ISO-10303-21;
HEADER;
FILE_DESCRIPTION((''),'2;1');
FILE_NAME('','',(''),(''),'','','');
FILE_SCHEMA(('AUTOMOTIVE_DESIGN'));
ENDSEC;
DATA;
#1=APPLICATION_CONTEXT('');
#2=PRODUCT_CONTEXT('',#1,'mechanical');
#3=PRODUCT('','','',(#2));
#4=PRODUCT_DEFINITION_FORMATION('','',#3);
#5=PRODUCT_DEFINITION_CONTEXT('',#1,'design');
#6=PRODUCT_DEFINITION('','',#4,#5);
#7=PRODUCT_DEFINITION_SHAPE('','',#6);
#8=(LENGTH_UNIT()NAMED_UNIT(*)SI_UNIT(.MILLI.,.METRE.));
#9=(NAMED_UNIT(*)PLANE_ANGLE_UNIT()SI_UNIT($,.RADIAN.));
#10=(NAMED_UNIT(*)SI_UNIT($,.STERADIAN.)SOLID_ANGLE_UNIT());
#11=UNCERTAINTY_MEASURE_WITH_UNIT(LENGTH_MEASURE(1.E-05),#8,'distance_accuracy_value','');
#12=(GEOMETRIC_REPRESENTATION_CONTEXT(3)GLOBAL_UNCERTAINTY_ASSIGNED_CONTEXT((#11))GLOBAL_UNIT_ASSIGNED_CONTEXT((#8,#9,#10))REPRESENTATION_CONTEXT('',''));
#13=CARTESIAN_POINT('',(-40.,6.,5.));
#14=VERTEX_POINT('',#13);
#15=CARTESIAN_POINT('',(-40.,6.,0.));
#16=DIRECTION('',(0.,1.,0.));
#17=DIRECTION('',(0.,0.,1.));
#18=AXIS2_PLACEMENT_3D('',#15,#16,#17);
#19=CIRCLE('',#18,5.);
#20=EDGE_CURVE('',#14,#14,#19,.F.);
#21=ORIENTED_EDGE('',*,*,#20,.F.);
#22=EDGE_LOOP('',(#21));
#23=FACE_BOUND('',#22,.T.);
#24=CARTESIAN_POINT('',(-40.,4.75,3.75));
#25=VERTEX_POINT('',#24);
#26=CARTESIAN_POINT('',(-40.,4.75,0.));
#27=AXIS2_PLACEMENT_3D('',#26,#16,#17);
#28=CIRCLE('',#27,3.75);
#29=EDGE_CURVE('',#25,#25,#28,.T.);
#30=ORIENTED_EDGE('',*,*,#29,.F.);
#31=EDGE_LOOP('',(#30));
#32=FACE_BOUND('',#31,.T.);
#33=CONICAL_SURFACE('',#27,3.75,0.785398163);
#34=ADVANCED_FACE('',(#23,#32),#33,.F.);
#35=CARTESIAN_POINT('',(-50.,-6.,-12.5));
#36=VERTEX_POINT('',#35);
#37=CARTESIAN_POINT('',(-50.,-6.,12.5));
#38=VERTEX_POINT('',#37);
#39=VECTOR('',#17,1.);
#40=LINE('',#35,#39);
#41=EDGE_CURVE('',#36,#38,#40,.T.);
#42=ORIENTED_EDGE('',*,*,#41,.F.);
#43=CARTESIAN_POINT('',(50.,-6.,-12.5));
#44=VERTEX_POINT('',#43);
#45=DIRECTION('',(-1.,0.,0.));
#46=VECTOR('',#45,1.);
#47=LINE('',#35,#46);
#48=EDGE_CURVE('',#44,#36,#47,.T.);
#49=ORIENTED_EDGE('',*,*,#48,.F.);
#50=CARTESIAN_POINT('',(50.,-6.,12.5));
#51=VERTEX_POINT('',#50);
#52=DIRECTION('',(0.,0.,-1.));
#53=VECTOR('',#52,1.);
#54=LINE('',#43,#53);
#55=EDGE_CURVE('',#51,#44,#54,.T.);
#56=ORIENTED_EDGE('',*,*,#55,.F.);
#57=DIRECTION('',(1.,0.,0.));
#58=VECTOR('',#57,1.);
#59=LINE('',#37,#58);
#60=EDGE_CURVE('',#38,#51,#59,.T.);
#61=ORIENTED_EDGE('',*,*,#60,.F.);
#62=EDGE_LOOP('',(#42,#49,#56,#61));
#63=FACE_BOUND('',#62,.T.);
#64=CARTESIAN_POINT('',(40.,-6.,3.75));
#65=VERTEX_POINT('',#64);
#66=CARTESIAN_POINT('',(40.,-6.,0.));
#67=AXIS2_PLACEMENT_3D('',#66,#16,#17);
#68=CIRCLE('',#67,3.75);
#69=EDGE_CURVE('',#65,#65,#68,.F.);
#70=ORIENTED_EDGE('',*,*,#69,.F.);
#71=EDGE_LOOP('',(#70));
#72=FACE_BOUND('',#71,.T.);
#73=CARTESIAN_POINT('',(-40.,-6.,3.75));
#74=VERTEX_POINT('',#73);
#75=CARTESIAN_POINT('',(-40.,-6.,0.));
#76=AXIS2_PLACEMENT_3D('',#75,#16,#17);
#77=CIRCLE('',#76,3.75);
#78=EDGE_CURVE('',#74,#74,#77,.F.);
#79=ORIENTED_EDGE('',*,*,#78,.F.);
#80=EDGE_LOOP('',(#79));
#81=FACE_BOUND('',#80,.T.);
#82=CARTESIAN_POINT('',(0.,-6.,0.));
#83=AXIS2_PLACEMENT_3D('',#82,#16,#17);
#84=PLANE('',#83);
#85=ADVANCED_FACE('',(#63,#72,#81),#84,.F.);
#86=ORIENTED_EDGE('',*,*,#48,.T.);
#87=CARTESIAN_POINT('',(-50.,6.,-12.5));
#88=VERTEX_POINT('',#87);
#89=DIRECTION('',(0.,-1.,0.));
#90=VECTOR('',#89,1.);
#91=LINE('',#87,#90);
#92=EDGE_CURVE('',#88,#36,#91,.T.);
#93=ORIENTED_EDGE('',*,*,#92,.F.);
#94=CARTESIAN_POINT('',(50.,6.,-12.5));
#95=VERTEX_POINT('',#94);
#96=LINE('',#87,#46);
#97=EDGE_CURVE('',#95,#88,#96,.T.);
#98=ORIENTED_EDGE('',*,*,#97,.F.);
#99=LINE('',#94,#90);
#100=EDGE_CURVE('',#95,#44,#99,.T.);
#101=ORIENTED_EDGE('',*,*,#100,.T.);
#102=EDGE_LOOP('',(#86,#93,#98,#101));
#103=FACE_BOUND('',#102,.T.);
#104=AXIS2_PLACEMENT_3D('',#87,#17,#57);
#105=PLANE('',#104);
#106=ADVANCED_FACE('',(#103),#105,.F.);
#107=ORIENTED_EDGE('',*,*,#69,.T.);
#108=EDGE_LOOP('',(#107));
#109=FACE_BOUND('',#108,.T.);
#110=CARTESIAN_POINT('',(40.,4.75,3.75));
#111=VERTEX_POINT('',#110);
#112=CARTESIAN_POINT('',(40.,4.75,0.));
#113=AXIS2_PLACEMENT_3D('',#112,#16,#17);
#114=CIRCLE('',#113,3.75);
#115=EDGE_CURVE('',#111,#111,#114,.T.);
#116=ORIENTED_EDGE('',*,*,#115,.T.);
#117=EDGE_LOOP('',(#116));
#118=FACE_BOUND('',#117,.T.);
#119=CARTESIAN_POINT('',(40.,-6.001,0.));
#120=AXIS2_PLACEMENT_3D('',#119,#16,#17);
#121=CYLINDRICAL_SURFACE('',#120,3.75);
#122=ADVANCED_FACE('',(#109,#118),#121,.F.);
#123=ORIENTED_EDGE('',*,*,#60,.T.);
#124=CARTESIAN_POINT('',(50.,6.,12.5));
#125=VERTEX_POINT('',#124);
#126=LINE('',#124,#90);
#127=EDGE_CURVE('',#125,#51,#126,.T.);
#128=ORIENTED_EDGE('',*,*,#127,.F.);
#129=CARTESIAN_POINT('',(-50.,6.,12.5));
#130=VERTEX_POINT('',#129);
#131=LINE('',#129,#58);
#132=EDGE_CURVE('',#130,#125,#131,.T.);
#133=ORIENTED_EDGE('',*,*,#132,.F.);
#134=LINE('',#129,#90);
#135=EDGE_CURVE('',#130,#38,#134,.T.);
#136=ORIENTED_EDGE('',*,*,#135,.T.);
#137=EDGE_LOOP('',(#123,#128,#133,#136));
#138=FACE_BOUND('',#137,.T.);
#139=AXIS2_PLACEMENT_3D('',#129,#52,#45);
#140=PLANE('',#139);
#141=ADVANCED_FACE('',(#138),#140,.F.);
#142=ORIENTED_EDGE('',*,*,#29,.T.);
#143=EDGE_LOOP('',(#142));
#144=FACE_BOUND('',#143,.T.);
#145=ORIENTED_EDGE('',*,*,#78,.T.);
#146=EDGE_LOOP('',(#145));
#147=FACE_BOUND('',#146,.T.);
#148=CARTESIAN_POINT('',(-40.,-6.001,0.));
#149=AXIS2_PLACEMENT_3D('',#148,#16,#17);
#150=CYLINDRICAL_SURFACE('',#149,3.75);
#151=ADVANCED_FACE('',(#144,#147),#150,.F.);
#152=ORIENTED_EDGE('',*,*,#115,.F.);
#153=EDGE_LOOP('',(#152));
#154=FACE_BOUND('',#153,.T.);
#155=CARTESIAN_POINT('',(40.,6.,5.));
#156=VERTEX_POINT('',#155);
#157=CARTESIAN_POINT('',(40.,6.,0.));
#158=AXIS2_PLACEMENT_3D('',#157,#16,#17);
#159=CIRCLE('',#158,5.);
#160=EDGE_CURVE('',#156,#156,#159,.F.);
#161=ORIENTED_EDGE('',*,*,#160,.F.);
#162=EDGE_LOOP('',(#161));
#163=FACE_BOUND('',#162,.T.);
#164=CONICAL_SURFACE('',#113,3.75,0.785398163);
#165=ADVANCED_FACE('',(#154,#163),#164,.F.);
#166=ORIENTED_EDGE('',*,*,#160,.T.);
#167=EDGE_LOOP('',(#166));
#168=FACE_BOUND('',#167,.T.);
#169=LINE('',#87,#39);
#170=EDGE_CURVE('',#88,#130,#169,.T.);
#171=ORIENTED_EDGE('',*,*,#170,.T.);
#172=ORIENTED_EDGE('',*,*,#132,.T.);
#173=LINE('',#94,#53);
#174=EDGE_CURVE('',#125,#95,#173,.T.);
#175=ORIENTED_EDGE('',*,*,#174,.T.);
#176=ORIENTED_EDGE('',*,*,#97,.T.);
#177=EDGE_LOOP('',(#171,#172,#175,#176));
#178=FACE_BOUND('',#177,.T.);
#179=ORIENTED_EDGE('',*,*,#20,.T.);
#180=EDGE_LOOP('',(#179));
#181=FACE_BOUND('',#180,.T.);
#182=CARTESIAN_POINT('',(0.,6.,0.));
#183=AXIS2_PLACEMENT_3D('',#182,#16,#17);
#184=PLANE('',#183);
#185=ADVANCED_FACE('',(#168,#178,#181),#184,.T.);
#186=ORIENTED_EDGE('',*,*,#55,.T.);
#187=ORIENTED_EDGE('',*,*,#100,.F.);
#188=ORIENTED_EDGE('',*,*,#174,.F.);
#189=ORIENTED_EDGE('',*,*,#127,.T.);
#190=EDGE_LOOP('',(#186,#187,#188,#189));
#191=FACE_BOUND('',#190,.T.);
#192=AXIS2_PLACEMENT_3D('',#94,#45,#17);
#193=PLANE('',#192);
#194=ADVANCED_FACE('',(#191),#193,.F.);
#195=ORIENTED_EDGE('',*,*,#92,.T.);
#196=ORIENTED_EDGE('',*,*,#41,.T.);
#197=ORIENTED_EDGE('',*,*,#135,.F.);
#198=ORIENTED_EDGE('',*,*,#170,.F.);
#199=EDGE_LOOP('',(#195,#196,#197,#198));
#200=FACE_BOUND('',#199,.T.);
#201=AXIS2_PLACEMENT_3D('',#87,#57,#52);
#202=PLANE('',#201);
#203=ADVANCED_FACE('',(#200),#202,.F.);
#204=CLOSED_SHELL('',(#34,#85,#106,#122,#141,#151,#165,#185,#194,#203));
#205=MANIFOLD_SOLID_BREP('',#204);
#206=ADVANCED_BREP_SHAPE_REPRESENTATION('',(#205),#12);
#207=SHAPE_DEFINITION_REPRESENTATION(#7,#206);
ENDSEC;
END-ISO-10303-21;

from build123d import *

# Parameters (mm, degrees)
SKETCH_2_W          = 100
SKETCH_2_H          = 25
EXTRUDE_1_DEPTH     = 6
CUT_EXTRUDE_1_REACH = 54.917
SKETCH_3_R          = 3.75
CHAMFER_2_SIZE      = 1.25


with BuildPart() as part:
    # Эскиз2 → Бобышка-Вытянуть1 (new, symmetric)
    with BuildSketch(Plane(origin=(0, 0, 0), x_dir=(1, 0, 0), z_dir=(0, 1, 0))):
        Rectangle(SKETCH_2_W, SKETCH_2_H)
    extrude(amount=EXTRUDE_1_DEPTH, both=True)

    # Эскиз3 → Вырез-Вытянуть1 (cut, up to next)
    with BuildSketch(Plane(origin=(0, 6, 0), x_dir=(1, 0, 0), z_dir=(0, 1, 0)), mode=Mode.PRIVATE) as cut_extrude_1_sk1:
        with Locations(Location((-40, 0, 0), (0, 0, 270))):
            Circle(SKETCH_3_R)
    cut_extrude_1_tool1 = extrude(cut_extrude_1_sk1.sketch, amount=-CUT_EXTRUDE_1_REACH, mode=Mode.PRIVATE) & part.part
    # Эскиз3 → Вырез-Вытянуть1 (cut, up to next)
    with BuildSketch(Plane(origin=(0, 6, 0), x_dir=(1, 0, 0), z_dir=(0, 1, 0)), mode=Mode.PRIVATE) as cut_extrude_1_sk2:
        with Locations(Location((40, 0, 0), (0, 0, 270))):
            Circle(SKETCH_3_R)
    cut_extrude_1_tool2 = extrude(cut_extrude_1_sk2.sketch, amount=-CUT_EXTRUDE_1_REACH, mode=Mode.PRIVATE) & part.part
    add(cut_extrude_1_tool1.solids().sort_by_distance((-40, 6, 0))[0], mode=Mode.SUBTRACT)
    add(cut_extrude_1_tool2.solids().sort_by_distance((40, 6, 0))[0], mode=Mode.SUBTRACT)

    # Фаска2
    chamfer_2_edges = [part.edges().sort_by_distance(p)[0] for p in [
        (-40, 6, -3.75),
        (40, 6, -3.75),
    ]]
    chamfer(chamfer_2_edges, length=CHAMFER_2_SIZE)


solid = part.part
